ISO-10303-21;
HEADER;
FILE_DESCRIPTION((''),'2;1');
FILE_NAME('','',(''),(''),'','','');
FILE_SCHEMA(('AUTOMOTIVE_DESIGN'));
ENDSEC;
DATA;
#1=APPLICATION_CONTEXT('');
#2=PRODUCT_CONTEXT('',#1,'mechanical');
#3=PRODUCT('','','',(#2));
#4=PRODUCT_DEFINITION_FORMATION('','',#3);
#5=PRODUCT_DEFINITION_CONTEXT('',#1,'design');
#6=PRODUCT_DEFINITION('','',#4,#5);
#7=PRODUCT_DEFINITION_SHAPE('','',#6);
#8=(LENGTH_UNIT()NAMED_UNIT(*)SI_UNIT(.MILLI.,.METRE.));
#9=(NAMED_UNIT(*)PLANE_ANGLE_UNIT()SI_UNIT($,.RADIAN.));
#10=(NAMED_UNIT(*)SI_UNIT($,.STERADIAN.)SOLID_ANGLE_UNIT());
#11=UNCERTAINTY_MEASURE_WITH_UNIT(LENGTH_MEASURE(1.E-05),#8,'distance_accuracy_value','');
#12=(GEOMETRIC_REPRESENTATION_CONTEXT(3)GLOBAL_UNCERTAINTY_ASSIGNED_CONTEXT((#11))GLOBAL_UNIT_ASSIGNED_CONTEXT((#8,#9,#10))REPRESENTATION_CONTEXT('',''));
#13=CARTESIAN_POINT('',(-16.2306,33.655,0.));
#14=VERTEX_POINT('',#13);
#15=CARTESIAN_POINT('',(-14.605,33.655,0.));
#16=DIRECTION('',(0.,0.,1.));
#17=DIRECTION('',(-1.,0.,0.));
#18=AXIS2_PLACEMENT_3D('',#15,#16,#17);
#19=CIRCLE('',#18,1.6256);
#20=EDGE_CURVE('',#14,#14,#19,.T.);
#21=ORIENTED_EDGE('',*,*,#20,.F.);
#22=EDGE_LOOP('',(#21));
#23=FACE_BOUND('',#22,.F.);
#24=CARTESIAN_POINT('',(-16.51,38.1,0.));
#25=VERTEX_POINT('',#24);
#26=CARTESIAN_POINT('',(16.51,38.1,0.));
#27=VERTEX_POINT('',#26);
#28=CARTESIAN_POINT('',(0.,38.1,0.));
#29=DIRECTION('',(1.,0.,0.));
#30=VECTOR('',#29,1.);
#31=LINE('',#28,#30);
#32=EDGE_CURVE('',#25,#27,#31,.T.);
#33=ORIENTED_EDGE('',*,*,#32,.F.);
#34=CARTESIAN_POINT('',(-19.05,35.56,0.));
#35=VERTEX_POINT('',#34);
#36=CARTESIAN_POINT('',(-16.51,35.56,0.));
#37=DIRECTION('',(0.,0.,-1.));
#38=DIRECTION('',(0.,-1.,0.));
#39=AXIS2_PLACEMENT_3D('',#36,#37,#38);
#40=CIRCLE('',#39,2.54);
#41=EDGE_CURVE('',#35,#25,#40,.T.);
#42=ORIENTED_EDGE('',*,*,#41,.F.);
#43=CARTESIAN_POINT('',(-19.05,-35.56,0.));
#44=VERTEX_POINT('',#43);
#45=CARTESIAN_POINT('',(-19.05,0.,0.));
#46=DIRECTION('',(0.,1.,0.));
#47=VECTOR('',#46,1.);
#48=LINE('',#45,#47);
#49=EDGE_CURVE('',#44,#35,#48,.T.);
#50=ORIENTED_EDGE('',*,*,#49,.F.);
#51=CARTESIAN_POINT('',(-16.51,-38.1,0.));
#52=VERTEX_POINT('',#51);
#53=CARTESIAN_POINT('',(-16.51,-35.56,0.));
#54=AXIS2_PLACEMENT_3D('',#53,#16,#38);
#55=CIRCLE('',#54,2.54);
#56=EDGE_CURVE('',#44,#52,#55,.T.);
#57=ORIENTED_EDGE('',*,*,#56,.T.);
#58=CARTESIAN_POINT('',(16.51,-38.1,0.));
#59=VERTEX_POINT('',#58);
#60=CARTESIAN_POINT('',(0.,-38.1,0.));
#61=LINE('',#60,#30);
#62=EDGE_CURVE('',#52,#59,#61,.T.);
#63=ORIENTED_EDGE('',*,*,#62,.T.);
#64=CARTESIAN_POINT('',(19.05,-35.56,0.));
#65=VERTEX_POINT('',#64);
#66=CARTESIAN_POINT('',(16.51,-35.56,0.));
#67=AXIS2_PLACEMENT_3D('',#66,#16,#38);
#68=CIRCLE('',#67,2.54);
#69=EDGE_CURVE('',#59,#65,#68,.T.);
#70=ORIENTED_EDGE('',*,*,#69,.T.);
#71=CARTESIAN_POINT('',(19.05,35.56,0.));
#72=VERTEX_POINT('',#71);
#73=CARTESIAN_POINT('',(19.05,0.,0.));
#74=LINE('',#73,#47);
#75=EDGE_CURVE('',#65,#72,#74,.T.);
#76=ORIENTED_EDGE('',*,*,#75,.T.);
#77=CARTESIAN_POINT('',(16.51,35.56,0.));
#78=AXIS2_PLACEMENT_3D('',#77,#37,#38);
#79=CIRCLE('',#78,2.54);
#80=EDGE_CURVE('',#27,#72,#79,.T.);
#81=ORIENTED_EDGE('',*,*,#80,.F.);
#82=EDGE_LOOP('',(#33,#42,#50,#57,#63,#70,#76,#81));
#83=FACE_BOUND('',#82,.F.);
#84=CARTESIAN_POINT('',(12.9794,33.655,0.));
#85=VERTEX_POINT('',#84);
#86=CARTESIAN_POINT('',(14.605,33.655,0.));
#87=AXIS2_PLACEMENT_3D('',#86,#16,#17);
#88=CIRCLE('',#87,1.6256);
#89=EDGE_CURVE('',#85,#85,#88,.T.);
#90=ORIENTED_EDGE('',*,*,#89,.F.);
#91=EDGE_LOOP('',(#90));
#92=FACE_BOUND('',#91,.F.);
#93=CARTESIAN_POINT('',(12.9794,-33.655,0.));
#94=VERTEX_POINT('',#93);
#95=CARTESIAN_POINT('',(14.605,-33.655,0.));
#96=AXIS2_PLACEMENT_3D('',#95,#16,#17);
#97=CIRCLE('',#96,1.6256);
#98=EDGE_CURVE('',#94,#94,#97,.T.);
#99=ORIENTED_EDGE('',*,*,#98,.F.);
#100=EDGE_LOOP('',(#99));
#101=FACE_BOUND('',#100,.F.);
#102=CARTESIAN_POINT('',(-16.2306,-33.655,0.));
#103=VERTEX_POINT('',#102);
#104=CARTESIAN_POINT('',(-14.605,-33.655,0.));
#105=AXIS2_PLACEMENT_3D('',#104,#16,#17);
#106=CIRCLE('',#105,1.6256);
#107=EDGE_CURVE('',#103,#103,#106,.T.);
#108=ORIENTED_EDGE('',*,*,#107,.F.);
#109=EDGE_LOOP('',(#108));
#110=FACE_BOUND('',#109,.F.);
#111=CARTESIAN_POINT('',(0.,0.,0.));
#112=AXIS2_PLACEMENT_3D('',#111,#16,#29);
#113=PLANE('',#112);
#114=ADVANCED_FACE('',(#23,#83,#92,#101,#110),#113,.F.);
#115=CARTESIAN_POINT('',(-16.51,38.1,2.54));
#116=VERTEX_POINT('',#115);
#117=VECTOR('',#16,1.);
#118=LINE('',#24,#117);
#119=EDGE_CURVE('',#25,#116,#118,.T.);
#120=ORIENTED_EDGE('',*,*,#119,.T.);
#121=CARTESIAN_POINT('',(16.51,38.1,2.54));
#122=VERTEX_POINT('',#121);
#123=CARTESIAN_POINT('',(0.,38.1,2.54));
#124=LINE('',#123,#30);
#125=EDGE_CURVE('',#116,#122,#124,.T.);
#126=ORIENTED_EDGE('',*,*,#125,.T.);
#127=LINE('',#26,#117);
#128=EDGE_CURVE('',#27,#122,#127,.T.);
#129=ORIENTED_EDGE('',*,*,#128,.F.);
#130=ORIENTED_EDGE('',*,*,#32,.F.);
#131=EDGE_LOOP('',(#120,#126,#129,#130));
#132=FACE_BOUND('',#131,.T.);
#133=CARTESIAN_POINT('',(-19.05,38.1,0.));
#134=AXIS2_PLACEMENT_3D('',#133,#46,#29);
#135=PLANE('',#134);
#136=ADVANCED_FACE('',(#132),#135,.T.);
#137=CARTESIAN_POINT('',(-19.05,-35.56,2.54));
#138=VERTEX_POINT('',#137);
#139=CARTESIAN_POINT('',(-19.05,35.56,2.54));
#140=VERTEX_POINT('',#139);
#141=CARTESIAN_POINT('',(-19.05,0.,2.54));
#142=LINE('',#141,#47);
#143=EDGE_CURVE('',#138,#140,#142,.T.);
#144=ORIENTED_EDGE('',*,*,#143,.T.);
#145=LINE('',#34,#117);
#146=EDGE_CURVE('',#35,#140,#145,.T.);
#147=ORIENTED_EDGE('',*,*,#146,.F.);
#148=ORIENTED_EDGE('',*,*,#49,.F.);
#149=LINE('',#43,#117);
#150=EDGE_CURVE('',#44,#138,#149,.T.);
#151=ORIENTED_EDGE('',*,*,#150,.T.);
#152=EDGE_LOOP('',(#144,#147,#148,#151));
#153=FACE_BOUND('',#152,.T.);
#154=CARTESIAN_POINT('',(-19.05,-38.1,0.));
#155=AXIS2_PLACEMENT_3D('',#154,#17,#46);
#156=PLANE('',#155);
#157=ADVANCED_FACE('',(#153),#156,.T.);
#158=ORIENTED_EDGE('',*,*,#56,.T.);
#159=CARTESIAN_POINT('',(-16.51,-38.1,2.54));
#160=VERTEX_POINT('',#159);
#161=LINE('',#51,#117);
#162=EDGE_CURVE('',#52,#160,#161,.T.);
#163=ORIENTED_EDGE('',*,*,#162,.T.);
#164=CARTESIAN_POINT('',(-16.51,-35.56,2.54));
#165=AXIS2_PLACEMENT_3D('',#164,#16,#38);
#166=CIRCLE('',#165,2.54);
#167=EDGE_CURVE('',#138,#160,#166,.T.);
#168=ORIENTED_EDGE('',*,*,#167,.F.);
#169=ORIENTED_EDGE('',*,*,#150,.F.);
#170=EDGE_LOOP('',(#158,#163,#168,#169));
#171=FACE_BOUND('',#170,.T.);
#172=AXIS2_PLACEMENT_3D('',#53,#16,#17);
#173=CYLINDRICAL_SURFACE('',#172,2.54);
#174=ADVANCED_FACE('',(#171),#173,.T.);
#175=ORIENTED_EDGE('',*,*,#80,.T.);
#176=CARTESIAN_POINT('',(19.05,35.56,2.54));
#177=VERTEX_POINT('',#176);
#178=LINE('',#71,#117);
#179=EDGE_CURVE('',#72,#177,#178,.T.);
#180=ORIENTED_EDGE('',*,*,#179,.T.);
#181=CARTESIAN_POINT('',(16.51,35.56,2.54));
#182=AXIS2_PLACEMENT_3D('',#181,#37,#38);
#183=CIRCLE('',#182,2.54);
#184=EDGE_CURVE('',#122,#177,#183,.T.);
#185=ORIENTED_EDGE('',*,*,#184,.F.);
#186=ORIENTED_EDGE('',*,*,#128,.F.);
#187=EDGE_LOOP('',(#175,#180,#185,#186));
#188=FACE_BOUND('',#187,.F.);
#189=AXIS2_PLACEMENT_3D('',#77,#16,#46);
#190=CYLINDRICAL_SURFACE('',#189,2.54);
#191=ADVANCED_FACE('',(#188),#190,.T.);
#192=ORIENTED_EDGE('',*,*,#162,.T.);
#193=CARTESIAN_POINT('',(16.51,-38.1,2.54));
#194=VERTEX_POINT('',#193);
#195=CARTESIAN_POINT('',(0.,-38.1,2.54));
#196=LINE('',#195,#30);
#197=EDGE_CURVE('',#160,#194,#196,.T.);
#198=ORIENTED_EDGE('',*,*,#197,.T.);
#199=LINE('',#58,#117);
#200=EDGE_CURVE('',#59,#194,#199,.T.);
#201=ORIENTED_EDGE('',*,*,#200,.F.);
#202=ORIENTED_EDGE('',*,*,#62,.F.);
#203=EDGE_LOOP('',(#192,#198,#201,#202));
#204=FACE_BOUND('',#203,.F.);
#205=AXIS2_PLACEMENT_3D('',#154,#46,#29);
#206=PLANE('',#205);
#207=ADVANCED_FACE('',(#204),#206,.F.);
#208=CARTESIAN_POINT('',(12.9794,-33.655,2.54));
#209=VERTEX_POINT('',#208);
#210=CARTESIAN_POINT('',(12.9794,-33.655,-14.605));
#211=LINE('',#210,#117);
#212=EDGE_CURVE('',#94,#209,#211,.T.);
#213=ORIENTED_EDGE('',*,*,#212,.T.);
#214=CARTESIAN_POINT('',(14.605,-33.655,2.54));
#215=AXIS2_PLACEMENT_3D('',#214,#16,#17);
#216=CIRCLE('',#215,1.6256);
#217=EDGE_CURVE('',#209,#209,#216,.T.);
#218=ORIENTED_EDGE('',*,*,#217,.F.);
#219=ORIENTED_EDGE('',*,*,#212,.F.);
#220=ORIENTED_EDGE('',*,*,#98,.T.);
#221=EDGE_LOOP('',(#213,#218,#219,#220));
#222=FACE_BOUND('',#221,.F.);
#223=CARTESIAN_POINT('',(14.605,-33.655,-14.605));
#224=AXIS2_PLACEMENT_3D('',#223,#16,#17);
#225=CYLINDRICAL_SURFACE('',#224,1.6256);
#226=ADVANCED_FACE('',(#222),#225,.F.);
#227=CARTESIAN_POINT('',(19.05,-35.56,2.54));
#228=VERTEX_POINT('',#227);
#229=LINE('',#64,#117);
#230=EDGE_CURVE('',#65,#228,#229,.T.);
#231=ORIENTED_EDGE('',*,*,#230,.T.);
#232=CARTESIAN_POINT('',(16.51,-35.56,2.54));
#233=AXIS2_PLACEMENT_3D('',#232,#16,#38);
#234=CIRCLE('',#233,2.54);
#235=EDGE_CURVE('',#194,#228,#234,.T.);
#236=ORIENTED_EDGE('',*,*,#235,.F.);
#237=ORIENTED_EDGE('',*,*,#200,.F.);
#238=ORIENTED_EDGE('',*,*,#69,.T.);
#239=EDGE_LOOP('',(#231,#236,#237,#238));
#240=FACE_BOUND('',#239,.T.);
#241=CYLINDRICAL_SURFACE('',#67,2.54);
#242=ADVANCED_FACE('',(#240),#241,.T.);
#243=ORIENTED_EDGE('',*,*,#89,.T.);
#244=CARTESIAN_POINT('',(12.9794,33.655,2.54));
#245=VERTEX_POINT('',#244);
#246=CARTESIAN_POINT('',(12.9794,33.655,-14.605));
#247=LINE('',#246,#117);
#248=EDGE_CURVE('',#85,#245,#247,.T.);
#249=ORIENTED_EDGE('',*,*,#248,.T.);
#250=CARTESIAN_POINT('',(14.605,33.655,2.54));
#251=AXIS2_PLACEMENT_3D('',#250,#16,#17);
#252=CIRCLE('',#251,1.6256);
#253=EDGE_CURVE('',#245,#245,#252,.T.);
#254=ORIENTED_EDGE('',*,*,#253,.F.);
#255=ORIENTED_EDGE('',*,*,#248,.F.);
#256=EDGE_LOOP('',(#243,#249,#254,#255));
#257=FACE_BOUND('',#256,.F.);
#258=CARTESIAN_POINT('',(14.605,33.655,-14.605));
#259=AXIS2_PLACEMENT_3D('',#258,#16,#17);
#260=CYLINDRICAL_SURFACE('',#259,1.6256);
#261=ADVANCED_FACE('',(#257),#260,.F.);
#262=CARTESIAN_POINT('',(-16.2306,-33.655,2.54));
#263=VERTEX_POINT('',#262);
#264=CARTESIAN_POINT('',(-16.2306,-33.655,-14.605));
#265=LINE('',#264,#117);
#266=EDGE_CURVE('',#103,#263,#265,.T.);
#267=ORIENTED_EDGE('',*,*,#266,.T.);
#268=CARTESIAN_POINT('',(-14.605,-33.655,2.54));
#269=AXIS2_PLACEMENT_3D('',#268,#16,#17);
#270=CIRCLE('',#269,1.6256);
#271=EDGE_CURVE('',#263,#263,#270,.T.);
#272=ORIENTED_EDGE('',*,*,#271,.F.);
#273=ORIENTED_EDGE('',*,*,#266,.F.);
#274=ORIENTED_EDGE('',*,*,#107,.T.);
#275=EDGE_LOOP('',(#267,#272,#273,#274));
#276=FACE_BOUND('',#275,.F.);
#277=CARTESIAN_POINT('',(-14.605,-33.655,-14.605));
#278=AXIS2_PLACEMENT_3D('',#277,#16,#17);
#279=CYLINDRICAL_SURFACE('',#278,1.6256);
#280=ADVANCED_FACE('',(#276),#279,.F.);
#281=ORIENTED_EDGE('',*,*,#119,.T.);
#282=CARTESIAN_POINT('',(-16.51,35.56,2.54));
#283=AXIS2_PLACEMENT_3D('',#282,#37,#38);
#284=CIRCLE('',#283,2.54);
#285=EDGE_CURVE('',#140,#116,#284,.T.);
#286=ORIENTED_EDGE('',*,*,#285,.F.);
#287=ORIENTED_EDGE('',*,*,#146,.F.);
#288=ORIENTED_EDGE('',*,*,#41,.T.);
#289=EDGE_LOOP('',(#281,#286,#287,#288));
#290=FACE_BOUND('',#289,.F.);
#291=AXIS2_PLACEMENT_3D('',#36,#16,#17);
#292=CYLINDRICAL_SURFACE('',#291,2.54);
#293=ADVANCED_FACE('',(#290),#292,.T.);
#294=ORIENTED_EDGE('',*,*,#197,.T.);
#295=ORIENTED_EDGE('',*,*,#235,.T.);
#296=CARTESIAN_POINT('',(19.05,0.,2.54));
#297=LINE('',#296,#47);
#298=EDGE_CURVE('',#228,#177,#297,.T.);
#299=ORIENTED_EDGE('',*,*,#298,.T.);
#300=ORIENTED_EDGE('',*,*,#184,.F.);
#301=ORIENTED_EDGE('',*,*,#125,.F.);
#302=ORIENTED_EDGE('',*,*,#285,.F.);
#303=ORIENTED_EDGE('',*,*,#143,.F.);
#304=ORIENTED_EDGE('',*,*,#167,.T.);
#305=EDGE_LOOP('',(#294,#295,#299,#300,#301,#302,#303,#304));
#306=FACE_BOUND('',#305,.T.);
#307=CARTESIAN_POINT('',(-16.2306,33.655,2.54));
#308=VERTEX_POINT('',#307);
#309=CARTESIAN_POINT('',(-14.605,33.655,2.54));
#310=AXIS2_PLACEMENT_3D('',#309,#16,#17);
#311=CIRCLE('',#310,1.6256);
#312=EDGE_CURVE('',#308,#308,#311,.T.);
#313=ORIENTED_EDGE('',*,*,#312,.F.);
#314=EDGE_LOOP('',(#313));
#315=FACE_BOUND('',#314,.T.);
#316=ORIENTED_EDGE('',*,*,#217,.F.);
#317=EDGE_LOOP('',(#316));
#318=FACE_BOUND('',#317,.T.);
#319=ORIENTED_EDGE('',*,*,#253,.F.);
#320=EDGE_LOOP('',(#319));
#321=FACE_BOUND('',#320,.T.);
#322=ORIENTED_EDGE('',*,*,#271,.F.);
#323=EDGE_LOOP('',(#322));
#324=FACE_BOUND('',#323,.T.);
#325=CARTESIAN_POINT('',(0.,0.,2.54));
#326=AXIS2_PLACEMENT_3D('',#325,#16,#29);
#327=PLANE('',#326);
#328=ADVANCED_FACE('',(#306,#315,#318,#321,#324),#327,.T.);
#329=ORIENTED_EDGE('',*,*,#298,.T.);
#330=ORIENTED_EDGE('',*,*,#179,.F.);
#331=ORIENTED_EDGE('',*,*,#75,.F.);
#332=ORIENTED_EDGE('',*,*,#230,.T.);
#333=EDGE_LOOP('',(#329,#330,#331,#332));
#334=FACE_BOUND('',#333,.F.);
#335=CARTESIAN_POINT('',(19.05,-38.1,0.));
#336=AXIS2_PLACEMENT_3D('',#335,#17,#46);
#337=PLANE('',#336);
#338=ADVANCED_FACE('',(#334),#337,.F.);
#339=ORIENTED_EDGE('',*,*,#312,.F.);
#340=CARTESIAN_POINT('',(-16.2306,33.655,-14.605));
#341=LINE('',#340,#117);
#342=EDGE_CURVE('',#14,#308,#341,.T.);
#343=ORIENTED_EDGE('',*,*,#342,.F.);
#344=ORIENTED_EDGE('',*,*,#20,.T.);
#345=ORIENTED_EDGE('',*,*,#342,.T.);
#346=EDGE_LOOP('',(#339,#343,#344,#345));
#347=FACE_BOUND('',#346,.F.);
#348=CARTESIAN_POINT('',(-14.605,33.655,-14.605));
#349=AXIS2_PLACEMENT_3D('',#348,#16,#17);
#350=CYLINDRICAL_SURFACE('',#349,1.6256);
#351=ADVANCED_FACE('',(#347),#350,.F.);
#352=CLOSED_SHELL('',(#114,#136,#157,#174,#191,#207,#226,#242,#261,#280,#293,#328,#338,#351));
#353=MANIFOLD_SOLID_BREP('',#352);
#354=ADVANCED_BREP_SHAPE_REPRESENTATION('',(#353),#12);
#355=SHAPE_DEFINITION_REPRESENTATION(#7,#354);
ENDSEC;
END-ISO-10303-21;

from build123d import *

# Parameters (mm, degrees)
F0_W     = 38.1
F0_H     = 76.2
F1_DEPTH = 2.54
F2_D     = 3.2512
F2_DEPTH = 14.605
F2_TIP   = 0.9767590223
F3_R     = 2.54


with BuildPart() as f1:
    # F0 (on Top) → F1 (new body)
    with BuildSketch(Plane.XY):
        Rectangle(F0_W, F0_H)
    extrude(amount=F1_DEPTH)

    # F2
    with Locations(Plane(origin=(0, 0, 0), x_dir=(1, 0, 0), z_dir=(0, 0, -1))):
        with Locations((-14.605, -33.655), (14.605, -33.655), (14.605, 33.655), (-14.605, 33.655)):
            Hole(F2_D / 2, depth=F2_DEPTH)
            with Locations((0, 0, -(F2_DEPTH + F2_TIP / 2))):  # 118° drill point
                Cone(0, F2_D / 2, F2_TIP, mode=Mode.SUBTRACT)

    # F3
    f3_edges = [f1.edges().sort_by_distance(p)[0] for p in [
        (-19.05, 38.1, 1.27),
        (-19.05, -38.1, 1.27),
        (19.05, 38.1, 1.27),
        (19.05, -38.1, 1.27),
    ]]
    fillet(f3_edges, radius=F3_R)


solid = f1.part
